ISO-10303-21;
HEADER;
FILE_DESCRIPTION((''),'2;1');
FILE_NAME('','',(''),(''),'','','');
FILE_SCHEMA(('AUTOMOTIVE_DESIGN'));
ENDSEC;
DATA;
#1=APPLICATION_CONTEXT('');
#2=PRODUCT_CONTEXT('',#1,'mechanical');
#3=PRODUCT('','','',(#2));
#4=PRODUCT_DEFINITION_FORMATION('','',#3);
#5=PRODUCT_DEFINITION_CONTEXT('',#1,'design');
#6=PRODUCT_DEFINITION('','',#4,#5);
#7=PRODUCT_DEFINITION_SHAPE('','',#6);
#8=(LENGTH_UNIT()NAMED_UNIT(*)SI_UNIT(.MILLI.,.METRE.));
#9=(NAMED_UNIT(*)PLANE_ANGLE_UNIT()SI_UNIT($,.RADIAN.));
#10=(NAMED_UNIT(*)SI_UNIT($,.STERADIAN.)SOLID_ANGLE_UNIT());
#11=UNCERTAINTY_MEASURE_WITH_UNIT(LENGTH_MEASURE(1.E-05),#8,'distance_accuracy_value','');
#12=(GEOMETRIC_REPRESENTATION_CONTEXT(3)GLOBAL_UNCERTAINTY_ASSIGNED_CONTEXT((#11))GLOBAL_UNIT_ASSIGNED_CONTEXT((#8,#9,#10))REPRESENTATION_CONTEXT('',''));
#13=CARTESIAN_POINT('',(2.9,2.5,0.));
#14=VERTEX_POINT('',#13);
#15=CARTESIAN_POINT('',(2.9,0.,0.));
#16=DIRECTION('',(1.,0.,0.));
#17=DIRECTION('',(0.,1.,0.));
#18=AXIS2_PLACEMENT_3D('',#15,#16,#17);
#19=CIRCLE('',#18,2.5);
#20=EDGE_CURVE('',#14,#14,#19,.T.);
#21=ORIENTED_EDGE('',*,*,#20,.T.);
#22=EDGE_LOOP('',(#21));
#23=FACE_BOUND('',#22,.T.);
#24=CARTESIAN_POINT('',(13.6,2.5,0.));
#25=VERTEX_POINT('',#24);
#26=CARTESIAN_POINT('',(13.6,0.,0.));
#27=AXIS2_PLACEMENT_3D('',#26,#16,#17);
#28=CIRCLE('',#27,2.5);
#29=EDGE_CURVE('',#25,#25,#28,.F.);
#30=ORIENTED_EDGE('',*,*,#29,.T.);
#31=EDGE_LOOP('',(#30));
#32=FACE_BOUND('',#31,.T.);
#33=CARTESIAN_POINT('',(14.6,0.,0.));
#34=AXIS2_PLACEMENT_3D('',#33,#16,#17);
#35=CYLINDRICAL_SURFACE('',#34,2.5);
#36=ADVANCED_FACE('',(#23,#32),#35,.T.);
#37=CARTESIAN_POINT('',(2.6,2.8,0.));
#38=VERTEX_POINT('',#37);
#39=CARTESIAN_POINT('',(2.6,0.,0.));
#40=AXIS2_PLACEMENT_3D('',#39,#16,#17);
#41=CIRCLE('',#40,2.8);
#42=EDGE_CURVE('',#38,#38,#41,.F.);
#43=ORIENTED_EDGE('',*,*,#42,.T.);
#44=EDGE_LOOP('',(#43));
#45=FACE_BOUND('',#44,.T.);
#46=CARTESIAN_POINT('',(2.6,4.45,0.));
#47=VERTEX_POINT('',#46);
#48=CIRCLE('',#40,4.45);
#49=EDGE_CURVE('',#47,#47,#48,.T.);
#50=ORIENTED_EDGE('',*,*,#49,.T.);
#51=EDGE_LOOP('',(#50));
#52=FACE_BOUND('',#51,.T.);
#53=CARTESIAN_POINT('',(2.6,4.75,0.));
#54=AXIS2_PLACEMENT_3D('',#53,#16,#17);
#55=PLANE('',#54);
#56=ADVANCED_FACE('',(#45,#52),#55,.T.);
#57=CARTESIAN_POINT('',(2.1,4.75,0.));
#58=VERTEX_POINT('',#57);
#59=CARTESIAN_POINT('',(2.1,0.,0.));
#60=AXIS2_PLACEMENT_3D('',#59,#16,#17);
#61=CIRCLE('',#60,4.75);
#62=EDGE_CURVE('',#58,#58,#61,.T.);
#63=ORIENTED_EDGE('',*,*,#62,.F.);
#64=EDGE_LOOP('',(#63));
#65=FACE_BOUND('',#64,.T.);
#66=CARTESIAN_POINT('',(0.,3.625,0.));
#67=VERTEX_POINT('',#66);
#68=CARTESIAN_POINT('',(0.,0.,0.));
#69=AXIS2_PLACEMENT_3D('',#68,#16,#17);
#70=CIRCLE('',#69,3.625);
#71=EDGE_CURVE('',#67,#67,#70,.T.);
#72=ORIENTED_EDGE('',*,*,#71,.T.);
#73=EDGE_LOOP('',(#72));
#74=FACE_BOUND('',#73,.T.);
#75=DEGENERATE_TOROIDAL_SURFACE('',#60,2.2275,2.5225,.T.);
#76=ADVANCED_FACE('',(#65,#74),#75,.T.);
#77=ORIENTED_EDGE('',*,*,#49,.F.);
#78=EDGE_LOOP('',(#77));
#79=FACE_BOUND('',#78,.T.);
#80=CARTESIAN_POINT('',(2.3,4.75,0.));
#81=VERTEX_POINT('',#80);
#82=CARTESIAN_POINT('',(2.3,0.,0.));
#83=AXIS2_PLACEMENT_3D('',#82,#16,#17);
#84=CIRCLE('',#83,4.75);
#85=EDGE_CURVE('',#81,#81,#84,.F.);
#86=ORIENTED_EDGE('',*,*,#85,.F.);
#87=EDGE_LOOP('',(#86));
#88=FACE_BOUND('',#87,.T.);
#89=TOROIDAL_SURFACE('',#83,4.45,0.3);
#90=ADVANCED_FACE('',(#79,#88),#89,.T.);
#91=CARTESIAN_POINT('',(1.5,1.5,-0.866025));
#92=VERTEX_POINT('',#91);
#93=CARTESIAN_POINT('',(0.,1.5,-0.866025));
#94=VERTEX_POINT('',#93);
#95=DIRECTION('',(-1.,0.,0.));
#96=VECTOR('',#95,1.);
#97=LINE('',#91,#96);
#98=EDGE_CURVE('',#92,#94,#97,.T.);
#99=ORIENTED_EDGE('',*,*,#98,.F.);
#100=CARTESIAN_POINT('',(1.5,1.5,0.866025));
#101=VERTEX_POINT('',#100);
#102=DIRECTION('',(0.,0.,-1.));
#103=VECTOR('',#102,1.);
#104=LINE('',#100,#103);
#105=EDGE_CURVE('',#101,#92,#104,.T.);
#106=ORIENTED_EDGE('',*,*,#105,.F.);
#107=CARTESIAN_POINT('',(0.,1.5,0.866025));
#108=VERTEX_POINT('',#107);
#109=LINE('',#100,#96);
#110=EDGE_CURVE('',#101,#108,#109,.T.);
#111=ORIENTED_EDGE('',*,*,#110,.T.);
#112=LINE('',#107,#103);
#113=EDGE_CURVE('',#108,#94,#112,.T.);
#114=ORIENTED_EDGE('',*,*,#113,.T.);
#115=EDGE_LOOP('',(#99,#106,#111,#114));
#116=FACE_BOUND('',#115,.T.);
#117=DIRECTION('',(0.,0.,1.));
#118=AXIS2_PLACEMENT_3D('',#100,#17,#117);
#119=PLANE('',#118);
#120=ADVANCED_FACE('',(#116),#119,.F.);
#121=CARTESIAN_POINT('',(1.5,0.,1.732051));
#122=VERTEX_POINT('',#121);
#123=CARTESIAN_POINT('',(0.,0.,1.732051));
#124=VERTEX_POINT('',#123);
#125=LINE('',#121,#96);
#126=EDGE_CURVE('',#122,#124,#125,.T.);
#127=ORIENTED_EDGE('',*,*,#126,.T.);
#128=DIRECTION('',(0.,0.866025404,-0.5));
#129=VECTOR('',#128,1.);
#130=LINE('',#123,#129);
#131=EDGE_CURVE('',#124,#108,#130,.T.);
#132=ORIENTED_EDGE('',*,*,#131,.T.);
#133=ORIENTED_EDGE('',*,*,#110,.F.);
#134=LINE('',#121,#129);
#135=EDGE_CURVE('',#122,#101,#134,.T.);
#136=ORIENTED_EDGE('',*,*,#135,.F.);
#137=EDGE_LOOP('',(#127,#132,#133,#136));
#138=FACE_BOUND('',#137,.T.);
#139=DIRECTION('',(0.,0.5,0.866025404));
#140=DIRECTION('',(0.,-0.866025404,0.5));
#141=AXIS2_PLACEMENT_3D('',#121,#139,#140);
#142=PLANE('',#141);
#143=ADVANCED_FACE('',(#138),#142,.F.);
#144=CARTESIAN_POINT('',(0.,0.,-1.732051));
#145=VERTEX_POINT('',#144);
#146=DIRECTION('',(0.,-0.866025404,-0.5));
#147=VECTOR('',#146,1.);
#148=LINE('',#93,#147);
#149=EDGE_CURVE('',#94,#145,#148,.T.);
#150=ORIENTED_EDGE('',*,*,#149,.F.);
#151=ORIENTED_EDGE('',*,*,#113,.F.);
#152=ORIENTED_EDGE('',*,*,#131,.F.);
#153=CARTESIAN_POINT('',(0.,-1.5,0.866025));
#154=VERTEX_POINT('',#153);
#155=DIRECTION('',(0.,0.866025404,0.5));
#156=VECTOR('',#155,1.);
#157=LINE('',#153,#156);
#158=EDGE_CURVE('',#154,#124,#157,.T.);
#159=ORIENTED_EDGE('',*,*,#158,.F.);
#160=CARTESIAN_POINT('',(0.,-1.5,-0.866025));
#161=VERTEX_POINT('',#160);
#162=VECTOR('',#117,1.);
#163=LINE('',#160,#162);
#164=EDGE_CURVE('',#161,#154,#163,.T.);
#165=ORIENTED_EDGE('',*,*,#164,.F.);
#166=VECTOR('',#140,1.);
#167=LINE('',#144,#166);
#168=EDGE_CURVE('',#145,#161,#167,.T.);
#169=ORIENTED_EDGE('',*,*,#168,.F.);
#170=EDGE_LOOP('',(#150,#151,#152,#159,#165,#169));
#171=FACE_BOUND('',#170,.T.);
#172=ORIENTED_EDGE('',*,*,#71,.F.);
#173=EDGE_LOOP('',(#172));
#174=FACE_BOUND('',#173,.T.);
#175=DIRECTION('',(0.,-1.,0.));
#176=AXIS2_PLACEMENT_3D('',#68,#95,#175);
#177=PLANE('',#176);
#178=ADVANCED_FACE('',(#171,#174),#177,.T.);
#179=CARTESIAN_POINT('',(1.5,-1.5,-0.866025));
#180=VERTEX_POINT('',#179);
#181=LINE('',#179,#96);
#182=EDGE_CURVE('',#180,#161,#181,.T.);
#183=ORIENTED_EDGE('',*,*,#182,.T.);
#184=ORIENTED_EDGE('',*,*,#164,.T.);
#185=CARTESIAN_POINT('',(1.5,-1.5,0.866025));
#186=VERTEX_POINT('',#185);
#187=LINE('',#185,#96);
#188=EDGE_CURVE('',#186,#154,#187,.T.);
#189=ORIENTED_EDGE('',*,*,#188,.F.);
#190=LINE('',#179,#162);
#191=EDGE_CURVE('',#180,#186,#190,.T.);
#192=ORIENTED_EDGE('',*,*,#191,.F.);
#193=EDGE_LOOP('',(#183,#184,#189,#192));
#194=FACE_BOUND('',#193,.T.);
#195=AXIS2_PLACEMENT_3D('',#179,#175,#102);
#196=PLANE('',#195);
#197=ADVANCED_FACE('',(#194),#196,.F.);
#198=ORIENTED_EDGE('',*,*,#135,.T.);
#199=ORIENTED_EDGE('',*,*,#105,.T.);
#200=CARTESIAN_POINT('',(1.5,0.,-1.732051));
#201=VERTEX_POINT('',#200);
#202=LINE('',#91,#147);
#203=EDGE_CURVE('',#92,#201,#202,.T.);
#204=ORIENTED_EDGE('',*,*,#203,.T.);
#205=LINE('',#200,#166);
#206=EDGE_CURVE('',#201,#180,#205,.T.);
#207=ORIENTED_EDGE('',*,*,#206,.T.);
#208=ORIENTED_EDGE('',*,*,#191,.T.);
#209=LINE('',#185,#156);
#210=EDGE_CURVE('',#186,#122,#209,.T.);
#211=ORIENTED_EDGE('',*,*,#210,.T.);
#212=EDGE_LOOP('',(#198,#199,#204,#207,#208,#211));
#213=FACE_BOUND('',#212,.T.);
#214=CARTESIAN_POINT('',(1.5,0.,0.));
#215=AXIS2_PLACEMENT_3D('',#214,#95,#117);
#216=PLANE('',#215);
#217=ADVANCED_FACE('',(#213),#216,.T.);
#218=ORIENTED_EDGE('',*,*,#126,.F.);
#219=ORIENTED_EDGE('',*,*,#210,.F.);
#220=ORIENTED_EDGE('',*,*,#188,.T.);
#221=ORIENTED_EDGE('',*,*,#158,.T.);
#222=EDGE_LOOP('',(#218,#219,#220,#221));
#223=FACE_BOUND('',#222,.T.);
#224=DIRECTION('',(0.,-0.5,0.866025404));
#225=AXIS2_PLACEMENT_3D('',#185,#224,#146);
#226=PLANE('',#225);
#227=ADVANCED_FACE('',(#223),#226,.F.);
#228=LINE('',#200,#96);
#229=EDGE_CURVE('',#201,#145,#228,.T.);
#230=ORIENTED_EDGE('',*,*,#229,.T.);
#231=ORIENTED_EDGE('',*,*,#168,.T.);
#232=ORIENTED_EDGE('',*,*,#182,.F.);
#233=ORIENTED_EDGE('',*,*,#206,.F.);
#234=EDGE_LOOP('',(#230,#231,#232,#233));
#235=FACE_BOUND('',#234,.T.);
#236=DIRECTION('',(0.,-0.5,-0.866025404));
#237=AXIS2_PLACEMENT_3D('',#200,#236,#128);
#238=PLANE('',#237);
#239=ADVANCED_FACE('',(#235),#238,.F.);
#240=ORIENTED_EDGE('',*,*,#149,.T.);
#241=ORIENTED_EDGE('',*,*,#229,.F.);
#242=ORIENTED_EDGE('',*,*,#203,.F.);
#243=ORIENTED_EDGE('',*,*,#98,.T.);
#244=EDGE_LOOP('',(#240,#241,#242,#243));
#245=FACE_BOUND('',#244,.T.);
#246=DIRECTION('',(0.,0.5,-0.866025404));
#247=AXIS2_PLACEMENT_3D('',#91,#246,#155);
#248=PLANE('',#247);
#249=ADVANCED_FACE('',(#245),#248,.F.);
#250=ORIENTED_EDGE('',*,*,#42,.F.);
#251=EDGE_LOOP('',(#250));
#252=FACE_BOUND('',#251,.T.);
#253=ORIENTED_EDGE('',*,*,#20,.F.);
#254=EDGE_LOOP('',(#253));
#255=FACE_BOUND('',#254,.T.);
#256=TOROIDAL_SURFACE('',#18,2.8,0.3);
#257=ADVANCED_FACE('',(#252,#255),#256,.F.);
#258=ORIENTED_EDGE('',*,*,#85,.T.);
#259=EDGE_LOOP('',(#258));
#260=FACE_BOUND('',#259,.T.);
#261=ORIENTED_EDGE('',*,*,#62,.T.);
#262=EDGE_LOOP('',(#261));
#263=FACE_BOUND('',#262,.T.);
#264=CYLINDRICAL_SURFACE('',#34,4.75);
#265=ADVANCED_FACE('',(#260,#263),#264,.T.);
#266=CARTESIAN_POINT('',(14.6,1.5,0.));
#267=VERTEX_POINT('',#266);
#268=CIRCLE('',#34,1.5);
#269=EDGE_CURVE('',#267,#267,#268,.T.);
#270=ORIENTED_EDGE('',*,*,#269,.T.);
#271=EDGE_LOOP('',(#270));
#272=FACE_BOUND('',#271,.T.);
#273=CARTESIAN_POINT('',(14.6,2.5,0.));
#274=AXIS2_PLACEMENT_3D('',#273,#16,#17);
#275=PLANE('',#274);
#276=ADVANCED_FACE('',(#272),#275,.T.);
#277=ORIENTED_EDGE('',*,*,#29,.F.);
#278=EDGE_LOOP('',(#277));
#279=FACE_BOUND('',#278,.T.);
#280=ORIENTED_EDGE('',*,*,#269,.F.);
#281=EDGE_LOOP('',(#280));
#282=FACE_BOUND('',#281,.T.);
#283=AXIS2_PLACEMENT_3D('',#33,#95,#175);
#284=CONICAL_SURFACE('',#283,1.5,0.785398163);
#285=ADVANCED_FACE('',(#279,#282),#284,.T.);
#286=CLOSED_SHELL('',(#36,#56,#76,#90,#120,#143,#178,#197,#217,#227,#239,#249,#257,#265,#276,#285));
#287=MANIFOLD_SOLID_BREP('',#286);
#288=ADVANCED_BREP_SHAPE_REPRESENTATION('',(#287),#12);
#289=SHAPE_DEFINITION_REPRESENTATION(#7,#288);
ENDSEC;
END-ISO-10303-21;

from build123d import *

# Parameters (mm, degrees)
CUT_EXTRUDE_1_DEPTH = 1.5
FILLET_1_R          = 0.3
CHAMFER_1_SIZE      = 1


with BuildPart() as part:
    # Эскиз1 → Повернуть1 (revolve)
    with BuildSketch(Plane.XY):
        with BuildLine():
            Line((0, 0), (0, 3.625))
            ThreePointArc((0, 3.625), (0.908821487, 4.451033224), (2.1, 4.75))
            Line((2.1, 4.75), (2.6, 4.75))
            Line((2.6, 4.75), (2.6, 2.5))
            Line((2.6, 2.5), (14.6, 2.5))
            Line((14.6, 2.5), (14.6, 0))
            Line((14.6, 0), (0, 0))
        make_face()
    revolve(axis=Axis((14.6, 0, 0), (-1, 0, 0)))

    # Эскиз2 → Вырез-Вытянуть1 (cut)
    with BuildSketch(Plane.ZY):
        Polygon((0.866025404, 1.5), (-0.866025404, 1.5), (-1.732050808, 0), (-0.866025404, -1.5), (0.866025404, -1.5), (1.732050808, 0), align=None)
    extrude(amount=-CUT_EXTRUDE_1_DEPTH, mode=Mode.SUBTRACT)

    # Скругление1
    fillet_1_edges = [part.edges().sort_by_distance(p)[0] for p in [
        (2.6, -2.5, 0),
        (2.6, -4.75, 0),
    ]]
    fillet(fillet_1_edges, radius=FILLET_1_R)

    # Фаска1
    chamfer_1_edges = [part.edges().sort_by_distance(p)[0] for p in [
        (14.6, -2.5, 0),
    ]]
    chamfer(chamfer_1_edges, length=CHAMFER_1_SIZE)


solid = part.part
